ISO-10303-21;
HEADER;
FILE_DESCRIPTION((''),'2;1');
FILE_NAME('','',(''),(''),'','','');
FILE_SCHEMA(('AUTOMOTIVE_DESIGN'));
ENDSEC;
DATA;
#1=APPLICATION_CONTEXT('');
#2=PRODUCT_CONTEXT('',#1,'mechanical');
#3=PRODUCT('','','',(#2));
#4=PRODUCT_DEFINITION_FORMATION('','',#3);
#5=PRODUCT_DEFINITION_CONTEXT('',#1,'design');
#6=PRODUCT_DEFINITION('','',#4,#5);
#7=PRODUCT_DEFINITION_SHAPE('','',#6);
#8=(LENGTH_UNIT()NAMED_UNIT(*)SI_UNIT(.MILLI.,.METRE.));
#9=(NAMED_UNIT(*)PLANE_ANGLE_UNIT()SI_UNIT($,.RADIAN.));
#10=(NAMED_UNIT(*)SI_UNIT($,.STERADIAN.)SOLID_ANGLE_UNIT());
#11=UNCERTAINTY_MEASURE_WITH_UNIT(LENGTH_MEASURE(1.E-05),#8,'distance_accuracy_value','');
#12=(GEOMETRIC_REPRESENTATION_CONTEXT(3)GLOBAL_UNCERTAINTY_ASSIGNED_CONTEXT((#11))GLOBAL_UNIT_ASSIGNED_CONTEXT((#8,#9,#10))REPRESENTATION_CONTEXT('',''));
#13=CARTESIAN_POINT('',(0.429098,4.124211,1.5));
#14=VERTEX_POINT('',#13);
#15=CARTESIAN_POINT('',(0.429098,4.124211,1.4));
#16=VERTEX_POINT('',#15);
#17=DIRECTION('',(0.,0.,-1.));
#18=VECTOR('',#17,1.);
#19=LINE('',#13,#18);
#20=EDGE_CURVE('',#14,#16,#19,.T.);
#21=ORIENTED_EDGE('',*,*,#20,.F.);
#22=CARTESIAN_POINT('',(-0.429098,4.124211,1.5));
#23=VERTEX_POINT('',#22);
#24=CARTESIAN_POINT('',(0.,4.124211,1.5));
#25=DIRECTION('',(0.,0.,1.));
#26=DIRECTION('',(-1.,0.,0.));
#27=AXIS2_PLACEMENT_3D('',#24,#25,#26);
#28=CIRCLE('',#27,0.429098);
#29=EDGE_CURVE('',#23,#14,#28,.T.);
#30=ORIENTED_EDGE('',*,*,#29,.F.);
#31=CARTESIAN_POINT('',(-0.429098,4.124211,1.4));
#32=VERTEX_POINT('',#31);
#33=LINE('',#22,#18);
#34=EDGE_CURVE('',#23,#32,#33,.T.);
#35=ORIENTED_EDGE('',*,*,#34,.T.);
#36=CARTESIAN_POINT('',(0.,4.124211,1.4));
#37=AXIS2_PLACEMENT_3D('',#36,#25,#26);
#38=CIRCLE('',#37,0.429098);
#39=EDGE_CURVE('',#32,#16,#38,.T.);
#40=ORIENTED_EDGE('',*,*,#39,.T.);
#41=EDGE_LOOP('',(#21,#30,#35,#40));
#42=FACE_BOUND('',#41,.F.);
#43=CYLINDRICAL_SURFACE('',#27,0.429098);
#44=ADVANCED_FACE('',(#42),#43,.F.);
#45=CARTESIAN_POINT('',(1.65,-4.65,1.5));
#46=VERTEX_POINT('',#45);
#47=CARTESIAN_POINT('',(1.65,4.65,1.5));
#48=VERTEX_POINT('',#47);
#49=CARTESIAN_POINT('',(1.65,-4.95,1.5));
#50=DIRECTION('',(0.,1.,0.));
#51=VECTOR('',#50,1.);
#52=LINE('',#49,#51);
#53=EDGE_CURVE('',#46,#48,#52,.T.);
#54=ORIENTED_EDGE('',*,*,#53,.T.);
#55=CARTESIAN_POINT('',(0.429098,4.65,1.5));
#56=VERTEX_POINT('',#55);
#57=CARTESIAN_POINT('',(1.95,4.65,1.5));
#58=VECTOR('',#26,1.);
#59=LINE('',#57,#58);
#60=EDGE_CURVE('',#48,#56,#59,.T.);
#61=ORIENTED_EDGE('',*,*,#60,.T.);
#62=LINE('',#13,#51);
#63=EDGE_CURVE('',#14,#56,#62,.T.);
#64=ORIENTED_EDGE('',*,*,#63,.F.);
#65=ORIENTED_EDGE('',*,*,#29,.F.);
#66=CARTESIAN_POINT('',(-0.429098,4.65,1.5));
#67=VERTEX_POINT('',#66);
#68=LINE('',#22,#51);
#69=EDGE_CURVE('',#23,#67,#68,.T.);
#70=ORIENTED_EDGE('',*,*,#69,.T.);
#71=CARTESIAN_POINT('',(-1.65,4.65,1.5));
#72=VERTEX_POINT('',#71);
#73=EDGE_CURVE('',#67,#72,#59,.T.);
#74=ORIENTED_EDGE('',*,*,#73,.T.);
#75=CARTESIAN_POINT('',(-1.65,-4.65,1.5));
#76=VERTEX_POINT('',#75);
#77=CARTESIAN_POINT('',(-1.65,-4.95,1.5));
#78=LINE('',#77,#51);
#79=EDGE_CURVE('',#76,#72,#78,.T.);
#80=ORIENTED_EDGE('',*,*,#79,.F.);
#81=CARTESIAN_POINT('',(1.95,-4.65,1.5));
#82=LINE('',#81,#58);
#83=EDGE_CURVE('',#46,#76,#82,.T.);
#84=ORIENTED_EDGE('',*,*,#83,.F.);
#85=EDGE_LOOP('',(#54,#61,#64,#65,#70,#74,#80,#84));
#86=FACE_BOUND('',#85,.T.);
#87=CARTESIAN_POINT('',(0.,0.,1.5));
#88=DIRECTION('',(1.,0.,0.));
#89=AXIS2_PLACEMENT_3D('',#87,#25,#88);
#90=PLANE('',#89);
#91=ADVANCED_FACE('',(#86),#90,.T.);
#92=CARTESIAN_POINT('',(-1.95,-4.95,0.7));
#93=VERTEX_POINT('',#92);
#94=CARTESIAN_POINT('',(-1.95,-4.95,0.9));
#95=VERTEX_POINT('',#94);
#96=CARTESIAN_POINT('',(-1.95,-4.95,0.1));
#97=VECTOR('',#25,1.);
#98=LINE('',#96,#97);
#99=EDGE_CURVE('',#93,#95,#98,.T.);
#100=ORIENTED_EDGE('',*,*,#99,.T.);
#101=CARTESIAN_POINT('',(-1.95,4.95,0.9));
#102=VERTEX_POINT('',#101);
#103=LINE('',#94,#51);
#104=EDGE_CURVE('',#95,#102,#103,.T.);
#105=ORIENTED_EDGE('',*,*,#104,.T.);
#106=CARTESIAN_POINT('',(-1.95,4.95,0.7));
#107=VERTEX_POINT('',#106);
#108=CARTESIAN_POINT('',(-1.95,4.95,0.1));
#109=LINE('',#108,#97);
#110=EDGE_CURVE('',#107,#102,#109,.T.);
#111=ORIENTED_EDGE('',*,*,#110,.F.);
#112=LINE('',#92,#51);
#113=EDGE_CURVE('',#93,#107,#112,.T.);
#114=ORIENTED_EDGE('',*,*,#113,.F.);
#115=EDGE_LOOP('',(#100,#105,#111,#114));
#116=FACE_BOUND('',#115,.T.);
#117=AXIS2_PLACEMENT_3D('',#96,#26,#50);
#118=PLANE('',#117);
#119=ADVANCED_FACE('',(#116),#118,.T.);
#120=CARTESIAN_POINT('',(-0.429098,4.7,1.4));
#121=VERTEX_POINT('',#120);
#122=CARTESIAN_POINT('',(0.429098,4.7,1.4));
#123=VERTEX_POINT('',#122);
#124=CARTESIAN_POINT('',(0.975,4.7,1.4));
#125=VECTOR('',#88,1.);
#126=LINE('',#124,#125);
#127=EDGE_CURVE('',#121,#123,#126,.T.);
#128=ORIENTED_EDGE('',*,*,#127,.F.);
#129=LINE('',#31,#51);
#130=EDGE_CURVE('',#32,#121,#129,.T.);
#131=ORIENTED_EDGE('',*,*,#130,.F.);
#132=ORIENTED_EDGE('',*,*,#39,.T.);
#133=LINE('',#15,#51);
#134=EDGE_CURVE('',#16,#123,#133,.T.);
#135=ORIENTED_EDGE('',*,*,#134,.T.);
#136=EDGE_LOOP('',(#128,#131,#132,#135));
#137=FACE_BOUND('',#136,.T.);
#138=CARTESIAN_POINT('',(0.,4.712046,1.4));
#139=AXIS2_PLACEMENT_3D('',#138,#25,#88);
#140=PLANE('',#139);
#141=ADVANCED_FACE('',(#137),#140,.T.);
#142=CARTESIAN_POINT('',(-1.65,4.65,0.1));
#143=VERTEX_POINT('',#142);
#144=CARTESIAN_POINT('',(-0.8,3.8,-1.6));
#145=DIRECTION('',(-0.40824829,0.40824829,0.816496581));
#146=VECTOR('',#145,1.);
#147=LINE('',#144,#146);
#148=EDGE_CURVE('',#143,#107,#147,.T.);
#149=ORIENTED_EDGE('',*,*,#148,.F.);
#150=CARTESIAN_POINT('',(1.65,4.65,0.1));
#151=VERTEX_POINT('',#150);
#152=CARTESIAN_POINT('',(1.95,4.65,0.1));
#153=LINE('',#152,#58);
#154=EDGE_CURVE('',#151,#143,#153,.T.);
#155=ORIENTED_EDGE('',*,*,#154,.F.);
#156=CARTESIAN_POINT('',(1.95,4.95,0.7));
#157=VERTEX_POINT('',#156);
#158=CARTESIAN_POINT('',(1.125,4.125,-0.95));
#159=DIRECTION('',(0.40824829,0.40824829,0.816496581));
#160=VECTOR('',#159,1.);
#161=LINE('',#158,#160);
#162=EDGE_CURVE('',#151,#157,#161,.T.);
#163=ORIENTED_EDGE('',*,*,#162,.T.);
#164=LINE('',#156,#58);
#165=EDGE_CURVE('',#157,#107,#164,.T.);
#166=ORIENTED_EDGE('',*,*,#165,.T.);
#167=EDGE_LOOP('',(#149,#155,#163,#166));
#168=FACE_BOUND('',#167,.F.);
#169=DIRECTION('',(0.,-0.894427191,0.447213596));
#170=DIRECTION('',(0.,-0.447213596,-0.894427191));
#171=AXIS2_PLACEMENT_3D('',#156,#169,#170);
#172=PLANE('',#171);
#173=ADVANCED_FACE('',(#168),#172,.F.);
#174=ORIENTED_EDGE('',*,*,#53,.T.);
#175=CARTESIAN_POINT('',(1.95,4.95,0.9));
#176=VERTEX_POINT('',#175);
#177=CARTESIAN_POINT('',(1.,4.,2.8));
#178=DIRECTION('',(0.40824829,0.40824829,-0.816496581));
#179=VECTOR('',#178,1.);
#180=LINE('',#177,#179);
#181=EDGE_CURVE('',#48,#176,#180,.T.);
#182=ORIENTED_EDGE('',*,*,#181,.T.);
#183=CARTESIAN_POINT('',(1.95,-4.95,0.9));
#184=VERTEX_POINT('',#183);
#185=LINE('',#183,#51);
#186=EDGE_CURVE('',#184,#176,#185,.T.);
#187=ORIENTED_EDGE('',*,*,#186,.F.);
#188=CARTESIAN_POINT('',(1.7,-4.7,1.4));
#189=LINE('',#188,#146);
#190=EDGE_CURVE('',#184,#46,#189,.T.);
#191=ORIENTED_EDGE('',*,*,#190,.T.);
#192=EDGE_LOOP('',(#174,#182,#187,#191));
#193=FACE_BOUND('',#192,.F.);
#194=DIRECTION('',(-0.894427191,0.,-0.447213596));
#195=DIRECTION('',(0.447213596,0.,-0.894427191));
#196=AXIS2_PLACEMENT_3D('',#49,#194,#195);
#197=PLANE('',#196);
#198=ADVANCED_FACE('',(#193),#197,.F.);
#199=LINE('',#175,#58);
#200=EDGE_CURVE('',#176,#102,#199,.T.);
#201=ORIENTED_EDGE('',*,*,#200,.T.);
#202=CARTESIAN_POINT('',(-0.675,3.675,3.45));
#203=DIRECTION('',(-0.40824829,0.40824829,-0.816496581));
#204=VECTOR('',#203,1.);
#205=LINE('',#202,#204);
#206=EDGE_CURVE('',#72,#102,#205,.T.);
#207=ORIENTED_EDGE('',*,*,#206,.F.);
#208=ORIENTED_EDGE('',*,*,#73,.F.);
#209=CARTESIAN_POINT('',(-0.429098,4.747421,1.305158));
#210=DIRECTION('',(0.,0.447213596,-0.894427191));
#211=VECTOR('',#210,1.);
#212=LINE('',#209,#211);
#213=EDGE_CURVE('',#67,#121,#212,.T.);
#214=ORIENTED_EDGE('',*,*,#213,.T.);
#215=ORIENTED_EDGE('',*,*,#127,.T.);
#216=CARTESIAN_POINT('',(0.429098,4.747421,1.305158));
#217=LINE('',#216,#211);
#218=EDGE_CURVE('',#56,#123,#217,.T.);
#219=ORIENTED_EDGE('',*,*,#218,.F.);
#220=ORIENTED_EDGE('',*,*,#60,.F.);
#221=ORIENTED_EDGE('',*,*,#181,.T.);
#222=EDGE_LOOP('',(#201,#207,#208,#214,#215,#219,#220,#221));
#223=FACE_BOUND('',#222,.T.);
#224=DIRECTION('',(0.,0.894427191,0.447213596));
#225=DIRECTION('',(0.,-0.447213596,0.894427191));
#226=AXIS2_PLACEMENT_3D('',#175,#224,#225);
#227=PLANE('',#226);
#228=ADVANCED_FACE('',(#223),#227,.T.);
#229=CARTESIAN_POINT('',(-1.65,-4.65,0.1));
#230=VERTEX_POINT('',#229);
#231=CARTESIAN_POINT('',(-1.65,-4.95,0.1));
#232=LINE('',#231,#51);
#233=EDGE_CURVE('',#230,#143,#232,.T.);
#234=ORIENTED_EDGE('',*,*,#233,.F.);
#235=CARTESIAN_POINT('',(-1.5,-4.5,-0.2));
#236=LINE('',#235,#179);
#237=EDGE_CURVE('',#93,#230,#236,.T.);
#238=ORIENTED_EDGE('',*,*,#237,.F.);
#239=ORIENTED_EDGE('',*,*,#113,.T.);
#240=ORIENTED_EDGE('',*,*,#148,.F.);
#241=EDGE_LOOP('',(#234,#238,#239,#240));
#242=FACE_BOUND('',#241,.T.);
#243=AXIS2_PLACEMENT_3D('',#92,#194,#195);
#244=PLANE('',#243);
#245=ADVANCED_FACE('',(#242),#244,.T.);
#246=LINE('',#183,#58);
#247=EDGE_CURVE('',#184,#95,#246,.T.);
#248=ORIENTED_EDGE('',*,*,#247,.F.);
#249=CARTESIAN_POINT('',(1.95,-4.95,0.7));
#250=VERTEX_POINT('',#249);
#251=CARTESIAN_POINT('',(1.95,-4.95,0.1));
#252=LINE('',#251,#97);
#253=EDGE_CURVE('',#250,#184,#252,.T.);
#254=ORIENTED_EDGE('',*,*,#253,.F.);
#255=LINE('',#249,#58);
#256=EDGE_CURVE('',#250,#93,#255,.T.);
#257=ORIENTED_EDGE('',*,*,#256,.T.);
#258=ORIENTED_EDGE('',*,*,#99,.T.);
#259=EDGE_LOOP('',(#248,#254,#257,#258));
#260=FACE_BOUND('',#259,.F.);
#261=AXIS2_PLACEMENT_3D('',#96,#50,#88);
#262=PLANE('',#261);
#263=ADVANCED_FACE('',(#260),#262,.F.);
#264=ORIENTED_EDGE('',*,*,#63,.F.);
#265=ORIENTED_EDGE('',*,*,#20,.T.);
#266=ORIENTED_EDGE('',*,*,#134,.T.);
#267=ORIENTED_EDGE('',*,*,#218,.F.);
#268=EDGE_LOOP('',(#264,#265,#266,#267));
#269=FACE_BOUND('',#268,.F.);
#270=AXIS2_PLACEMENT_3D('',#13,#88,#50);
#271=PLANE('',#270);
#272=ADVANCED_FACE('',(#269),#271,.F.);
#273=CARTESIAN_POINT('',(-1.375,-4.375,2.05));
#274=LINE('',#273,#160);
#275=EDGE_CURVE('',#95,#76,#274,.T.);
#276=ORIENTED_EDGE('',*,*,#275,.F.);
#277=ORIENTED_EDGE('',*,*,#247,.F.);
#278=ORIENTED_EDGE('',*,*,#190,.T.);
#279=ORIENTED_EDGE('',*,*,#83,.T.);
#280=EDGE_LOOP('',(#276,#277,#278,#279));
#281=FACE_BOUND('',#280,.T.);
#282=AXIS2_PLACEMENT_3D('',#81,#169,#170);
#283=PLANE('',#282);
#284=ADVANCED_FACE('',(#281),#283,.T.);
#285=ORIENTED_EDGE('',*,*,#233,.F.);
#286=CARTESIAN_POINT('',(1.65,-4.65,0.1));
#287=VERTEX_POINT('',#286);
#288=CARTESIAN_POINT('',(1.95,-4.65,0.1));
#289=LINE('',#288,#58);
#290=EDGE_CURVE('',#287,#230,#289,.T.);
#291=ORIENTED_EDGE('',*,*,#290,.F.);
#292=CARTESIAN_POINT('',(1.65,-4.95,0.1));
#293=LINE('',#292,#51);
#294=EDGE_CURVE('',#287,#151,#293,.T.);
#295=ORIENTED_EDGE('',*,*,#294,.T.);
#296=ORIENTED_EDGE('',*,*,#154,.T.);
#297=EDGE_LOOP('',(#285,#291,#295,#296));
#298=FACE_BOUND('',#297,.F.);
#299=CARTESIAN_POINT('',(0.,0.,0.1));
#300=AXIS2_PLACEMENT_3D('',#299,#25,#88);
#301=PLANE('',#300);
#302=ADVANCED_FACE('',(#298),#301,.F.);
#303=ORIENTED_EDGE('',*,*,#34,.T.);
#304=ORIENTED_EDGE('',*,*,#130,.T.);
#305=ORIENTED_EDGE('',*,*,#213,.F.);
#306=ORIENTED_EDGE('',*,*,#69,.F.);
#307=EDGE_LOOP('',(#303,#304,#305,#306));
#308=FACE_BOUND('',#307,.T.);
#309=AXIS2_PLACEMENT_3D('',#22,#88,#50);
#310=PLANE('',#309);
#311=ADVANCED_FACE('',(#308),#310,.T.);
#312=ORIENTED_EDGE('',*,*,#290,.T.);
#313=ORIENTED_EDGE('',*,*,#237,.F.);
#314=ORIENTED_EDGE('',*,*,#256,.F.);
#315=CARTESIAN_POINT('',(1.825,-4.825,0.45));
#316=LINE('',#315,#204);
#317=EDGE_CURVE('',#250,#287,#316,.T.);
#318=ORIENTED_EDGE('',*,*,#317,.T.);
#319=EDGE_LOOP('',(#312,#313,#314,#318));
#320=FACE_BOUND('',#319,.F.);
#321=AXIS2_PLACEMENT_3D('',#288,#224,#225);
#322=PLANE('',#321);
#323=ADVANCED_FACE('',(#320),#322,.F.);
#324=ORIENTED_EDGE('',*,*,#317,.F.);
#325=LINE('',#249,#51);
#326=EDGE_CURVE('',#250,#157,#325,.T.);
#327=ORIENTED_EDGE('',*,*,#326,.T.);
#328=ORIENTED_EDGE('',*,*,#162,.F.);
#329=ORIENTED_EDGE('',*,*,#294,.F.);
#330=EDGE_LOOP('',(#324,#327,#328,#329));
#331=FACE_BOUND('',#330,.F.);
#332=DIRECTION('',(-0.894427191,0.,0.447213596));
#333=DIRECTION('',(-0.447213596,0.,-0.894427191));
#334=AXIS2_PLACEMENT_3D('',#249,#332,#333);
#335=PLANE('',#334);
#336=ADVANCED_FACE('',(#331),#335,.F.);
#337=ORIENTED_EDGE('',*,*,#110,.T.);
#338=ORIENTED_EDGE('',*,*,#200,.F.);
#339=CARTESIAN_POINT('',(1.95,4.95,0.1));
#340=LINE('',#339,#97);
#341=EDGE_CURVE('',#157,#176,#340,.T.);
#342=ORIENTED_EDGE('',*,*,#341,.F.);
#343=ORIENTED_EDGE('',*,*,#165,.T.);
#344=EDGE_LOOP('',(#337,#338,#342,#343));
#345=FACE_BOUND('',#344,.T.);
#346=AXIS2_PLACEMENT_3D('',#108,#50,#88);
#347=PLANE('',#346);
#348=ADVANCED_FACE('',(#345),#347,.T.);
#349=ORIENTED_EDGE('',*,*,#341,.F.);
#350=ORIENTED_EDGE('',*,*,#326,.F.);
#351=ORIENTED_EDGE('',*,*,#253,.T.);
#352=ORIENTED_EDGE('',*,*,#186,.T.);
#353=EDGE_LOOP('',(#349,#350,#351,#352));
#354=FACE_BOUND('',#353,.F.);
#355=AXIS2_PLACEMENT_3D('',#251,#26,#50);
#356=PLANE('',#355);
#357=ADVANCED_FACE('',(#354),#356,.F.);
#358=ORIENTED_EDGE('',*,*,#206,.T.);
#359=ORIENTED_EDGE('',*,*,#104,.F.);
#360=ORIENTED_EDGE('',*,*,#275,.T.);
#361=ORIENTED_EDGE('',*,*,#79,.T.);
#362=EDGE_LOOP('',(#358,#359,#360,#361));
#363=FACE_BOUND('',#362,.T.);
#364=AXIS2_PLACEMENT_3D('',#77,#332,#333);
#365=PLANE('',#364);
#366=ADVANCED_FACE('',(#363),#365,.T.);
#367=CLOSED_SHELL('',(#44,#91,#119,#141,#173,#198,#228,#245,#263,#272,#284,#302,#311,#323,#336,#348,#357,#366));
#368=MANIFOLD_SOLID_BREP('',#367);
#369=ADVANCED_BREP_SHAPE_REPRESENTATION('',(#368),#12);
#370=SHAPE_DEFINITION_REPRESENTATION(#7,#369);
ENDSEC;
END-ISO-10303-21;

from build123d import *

# Parameters (mm, degrees)
SKETCH_W        = 3.9
SKETCH_H        = 9.9
PAD_DEPTH       = 1.4
POCKET_DEPTH    = 9.901
POCKET001_DEPTH = 3.901
POCKET002_DEPTH = 0.1


with BuildPart() as part:
    # Sketch → Pad (new body)
    with BuildSketch(Plane.XY):
        Rectangle(SKETCH_W, SKETCH_H)
    extrude(amount=PAD_DEPTH)

    # Sketch001 (on Face3 of Pad) → Pocket (cut, through all)
    with BuildSketch(Plane.XZ.offset(4.95)):
        Polygon((-1.95, 0.6), (-1.65, 0), (-1.95, 0), align=None)
        Polygon((1.65, 0), (1.95, 0), (1.95, 0.6), align=None)
        Polygon((1.95, 1.4), (1.65, 1.4), (1.95, 0.8), align=None)
        Polygon((-1.95, 1.4), (-1.65, 1.4), (-1.95, 0.8), align=None)
    extrude(amount=-POCKET_DEPTH, mode=Mode.SUBTRACT)

    # Sketch002 (on Face5 of Pocket) → Pocket001 (cut, through all)
    with BuildSketch(Plane.YZ.offset(1.95)):
        Polygon((4.95, 0.8), (4.65, 1.4), (4.95, 1.4), align=None)
        Polygon((4.95, 0.6), (4.65, 0), (4.95, 0), align=None)
        Polygon((-4.95, 0.8), (-4.95, 1.4), (-4.65, 1.4), align=None)
        Polygon((-4.95, 0.6), (-4.95, 0), (-4.65, 0), align=None)
    extrude(amount=-POCKET001_DEPTH, mode=Mode.SUBTRACT)

    # Sketch003 (on Face11 of Pocket001) → Pocket002 (cut)
    with BuildSketch(Plane.XY.offset(1.4)):
        with BuildLine():
            ThreePointArc((-0.429098, 4.124211), (0, 3.695113), (0.429098, 4.124211))
            Line((0.429098, 4.124211), (0.429098, 5.299881))
            ThreePointArc((0.429098, 5.299881), (0, 5.728979), (-0.429098, 5.299881))
            Line((-0.429098, 4.124211), (-0.429098, 5.299881))
        make_face()
    extrude(amount=-POCKET002_DEPTH, mode=Mode.SUBTRACT)


with BuildPart() as part_1:
    # Body placement: moved
    add(part.part.moved(Location((0, 0, 0.1))))


solid = part_1.part
